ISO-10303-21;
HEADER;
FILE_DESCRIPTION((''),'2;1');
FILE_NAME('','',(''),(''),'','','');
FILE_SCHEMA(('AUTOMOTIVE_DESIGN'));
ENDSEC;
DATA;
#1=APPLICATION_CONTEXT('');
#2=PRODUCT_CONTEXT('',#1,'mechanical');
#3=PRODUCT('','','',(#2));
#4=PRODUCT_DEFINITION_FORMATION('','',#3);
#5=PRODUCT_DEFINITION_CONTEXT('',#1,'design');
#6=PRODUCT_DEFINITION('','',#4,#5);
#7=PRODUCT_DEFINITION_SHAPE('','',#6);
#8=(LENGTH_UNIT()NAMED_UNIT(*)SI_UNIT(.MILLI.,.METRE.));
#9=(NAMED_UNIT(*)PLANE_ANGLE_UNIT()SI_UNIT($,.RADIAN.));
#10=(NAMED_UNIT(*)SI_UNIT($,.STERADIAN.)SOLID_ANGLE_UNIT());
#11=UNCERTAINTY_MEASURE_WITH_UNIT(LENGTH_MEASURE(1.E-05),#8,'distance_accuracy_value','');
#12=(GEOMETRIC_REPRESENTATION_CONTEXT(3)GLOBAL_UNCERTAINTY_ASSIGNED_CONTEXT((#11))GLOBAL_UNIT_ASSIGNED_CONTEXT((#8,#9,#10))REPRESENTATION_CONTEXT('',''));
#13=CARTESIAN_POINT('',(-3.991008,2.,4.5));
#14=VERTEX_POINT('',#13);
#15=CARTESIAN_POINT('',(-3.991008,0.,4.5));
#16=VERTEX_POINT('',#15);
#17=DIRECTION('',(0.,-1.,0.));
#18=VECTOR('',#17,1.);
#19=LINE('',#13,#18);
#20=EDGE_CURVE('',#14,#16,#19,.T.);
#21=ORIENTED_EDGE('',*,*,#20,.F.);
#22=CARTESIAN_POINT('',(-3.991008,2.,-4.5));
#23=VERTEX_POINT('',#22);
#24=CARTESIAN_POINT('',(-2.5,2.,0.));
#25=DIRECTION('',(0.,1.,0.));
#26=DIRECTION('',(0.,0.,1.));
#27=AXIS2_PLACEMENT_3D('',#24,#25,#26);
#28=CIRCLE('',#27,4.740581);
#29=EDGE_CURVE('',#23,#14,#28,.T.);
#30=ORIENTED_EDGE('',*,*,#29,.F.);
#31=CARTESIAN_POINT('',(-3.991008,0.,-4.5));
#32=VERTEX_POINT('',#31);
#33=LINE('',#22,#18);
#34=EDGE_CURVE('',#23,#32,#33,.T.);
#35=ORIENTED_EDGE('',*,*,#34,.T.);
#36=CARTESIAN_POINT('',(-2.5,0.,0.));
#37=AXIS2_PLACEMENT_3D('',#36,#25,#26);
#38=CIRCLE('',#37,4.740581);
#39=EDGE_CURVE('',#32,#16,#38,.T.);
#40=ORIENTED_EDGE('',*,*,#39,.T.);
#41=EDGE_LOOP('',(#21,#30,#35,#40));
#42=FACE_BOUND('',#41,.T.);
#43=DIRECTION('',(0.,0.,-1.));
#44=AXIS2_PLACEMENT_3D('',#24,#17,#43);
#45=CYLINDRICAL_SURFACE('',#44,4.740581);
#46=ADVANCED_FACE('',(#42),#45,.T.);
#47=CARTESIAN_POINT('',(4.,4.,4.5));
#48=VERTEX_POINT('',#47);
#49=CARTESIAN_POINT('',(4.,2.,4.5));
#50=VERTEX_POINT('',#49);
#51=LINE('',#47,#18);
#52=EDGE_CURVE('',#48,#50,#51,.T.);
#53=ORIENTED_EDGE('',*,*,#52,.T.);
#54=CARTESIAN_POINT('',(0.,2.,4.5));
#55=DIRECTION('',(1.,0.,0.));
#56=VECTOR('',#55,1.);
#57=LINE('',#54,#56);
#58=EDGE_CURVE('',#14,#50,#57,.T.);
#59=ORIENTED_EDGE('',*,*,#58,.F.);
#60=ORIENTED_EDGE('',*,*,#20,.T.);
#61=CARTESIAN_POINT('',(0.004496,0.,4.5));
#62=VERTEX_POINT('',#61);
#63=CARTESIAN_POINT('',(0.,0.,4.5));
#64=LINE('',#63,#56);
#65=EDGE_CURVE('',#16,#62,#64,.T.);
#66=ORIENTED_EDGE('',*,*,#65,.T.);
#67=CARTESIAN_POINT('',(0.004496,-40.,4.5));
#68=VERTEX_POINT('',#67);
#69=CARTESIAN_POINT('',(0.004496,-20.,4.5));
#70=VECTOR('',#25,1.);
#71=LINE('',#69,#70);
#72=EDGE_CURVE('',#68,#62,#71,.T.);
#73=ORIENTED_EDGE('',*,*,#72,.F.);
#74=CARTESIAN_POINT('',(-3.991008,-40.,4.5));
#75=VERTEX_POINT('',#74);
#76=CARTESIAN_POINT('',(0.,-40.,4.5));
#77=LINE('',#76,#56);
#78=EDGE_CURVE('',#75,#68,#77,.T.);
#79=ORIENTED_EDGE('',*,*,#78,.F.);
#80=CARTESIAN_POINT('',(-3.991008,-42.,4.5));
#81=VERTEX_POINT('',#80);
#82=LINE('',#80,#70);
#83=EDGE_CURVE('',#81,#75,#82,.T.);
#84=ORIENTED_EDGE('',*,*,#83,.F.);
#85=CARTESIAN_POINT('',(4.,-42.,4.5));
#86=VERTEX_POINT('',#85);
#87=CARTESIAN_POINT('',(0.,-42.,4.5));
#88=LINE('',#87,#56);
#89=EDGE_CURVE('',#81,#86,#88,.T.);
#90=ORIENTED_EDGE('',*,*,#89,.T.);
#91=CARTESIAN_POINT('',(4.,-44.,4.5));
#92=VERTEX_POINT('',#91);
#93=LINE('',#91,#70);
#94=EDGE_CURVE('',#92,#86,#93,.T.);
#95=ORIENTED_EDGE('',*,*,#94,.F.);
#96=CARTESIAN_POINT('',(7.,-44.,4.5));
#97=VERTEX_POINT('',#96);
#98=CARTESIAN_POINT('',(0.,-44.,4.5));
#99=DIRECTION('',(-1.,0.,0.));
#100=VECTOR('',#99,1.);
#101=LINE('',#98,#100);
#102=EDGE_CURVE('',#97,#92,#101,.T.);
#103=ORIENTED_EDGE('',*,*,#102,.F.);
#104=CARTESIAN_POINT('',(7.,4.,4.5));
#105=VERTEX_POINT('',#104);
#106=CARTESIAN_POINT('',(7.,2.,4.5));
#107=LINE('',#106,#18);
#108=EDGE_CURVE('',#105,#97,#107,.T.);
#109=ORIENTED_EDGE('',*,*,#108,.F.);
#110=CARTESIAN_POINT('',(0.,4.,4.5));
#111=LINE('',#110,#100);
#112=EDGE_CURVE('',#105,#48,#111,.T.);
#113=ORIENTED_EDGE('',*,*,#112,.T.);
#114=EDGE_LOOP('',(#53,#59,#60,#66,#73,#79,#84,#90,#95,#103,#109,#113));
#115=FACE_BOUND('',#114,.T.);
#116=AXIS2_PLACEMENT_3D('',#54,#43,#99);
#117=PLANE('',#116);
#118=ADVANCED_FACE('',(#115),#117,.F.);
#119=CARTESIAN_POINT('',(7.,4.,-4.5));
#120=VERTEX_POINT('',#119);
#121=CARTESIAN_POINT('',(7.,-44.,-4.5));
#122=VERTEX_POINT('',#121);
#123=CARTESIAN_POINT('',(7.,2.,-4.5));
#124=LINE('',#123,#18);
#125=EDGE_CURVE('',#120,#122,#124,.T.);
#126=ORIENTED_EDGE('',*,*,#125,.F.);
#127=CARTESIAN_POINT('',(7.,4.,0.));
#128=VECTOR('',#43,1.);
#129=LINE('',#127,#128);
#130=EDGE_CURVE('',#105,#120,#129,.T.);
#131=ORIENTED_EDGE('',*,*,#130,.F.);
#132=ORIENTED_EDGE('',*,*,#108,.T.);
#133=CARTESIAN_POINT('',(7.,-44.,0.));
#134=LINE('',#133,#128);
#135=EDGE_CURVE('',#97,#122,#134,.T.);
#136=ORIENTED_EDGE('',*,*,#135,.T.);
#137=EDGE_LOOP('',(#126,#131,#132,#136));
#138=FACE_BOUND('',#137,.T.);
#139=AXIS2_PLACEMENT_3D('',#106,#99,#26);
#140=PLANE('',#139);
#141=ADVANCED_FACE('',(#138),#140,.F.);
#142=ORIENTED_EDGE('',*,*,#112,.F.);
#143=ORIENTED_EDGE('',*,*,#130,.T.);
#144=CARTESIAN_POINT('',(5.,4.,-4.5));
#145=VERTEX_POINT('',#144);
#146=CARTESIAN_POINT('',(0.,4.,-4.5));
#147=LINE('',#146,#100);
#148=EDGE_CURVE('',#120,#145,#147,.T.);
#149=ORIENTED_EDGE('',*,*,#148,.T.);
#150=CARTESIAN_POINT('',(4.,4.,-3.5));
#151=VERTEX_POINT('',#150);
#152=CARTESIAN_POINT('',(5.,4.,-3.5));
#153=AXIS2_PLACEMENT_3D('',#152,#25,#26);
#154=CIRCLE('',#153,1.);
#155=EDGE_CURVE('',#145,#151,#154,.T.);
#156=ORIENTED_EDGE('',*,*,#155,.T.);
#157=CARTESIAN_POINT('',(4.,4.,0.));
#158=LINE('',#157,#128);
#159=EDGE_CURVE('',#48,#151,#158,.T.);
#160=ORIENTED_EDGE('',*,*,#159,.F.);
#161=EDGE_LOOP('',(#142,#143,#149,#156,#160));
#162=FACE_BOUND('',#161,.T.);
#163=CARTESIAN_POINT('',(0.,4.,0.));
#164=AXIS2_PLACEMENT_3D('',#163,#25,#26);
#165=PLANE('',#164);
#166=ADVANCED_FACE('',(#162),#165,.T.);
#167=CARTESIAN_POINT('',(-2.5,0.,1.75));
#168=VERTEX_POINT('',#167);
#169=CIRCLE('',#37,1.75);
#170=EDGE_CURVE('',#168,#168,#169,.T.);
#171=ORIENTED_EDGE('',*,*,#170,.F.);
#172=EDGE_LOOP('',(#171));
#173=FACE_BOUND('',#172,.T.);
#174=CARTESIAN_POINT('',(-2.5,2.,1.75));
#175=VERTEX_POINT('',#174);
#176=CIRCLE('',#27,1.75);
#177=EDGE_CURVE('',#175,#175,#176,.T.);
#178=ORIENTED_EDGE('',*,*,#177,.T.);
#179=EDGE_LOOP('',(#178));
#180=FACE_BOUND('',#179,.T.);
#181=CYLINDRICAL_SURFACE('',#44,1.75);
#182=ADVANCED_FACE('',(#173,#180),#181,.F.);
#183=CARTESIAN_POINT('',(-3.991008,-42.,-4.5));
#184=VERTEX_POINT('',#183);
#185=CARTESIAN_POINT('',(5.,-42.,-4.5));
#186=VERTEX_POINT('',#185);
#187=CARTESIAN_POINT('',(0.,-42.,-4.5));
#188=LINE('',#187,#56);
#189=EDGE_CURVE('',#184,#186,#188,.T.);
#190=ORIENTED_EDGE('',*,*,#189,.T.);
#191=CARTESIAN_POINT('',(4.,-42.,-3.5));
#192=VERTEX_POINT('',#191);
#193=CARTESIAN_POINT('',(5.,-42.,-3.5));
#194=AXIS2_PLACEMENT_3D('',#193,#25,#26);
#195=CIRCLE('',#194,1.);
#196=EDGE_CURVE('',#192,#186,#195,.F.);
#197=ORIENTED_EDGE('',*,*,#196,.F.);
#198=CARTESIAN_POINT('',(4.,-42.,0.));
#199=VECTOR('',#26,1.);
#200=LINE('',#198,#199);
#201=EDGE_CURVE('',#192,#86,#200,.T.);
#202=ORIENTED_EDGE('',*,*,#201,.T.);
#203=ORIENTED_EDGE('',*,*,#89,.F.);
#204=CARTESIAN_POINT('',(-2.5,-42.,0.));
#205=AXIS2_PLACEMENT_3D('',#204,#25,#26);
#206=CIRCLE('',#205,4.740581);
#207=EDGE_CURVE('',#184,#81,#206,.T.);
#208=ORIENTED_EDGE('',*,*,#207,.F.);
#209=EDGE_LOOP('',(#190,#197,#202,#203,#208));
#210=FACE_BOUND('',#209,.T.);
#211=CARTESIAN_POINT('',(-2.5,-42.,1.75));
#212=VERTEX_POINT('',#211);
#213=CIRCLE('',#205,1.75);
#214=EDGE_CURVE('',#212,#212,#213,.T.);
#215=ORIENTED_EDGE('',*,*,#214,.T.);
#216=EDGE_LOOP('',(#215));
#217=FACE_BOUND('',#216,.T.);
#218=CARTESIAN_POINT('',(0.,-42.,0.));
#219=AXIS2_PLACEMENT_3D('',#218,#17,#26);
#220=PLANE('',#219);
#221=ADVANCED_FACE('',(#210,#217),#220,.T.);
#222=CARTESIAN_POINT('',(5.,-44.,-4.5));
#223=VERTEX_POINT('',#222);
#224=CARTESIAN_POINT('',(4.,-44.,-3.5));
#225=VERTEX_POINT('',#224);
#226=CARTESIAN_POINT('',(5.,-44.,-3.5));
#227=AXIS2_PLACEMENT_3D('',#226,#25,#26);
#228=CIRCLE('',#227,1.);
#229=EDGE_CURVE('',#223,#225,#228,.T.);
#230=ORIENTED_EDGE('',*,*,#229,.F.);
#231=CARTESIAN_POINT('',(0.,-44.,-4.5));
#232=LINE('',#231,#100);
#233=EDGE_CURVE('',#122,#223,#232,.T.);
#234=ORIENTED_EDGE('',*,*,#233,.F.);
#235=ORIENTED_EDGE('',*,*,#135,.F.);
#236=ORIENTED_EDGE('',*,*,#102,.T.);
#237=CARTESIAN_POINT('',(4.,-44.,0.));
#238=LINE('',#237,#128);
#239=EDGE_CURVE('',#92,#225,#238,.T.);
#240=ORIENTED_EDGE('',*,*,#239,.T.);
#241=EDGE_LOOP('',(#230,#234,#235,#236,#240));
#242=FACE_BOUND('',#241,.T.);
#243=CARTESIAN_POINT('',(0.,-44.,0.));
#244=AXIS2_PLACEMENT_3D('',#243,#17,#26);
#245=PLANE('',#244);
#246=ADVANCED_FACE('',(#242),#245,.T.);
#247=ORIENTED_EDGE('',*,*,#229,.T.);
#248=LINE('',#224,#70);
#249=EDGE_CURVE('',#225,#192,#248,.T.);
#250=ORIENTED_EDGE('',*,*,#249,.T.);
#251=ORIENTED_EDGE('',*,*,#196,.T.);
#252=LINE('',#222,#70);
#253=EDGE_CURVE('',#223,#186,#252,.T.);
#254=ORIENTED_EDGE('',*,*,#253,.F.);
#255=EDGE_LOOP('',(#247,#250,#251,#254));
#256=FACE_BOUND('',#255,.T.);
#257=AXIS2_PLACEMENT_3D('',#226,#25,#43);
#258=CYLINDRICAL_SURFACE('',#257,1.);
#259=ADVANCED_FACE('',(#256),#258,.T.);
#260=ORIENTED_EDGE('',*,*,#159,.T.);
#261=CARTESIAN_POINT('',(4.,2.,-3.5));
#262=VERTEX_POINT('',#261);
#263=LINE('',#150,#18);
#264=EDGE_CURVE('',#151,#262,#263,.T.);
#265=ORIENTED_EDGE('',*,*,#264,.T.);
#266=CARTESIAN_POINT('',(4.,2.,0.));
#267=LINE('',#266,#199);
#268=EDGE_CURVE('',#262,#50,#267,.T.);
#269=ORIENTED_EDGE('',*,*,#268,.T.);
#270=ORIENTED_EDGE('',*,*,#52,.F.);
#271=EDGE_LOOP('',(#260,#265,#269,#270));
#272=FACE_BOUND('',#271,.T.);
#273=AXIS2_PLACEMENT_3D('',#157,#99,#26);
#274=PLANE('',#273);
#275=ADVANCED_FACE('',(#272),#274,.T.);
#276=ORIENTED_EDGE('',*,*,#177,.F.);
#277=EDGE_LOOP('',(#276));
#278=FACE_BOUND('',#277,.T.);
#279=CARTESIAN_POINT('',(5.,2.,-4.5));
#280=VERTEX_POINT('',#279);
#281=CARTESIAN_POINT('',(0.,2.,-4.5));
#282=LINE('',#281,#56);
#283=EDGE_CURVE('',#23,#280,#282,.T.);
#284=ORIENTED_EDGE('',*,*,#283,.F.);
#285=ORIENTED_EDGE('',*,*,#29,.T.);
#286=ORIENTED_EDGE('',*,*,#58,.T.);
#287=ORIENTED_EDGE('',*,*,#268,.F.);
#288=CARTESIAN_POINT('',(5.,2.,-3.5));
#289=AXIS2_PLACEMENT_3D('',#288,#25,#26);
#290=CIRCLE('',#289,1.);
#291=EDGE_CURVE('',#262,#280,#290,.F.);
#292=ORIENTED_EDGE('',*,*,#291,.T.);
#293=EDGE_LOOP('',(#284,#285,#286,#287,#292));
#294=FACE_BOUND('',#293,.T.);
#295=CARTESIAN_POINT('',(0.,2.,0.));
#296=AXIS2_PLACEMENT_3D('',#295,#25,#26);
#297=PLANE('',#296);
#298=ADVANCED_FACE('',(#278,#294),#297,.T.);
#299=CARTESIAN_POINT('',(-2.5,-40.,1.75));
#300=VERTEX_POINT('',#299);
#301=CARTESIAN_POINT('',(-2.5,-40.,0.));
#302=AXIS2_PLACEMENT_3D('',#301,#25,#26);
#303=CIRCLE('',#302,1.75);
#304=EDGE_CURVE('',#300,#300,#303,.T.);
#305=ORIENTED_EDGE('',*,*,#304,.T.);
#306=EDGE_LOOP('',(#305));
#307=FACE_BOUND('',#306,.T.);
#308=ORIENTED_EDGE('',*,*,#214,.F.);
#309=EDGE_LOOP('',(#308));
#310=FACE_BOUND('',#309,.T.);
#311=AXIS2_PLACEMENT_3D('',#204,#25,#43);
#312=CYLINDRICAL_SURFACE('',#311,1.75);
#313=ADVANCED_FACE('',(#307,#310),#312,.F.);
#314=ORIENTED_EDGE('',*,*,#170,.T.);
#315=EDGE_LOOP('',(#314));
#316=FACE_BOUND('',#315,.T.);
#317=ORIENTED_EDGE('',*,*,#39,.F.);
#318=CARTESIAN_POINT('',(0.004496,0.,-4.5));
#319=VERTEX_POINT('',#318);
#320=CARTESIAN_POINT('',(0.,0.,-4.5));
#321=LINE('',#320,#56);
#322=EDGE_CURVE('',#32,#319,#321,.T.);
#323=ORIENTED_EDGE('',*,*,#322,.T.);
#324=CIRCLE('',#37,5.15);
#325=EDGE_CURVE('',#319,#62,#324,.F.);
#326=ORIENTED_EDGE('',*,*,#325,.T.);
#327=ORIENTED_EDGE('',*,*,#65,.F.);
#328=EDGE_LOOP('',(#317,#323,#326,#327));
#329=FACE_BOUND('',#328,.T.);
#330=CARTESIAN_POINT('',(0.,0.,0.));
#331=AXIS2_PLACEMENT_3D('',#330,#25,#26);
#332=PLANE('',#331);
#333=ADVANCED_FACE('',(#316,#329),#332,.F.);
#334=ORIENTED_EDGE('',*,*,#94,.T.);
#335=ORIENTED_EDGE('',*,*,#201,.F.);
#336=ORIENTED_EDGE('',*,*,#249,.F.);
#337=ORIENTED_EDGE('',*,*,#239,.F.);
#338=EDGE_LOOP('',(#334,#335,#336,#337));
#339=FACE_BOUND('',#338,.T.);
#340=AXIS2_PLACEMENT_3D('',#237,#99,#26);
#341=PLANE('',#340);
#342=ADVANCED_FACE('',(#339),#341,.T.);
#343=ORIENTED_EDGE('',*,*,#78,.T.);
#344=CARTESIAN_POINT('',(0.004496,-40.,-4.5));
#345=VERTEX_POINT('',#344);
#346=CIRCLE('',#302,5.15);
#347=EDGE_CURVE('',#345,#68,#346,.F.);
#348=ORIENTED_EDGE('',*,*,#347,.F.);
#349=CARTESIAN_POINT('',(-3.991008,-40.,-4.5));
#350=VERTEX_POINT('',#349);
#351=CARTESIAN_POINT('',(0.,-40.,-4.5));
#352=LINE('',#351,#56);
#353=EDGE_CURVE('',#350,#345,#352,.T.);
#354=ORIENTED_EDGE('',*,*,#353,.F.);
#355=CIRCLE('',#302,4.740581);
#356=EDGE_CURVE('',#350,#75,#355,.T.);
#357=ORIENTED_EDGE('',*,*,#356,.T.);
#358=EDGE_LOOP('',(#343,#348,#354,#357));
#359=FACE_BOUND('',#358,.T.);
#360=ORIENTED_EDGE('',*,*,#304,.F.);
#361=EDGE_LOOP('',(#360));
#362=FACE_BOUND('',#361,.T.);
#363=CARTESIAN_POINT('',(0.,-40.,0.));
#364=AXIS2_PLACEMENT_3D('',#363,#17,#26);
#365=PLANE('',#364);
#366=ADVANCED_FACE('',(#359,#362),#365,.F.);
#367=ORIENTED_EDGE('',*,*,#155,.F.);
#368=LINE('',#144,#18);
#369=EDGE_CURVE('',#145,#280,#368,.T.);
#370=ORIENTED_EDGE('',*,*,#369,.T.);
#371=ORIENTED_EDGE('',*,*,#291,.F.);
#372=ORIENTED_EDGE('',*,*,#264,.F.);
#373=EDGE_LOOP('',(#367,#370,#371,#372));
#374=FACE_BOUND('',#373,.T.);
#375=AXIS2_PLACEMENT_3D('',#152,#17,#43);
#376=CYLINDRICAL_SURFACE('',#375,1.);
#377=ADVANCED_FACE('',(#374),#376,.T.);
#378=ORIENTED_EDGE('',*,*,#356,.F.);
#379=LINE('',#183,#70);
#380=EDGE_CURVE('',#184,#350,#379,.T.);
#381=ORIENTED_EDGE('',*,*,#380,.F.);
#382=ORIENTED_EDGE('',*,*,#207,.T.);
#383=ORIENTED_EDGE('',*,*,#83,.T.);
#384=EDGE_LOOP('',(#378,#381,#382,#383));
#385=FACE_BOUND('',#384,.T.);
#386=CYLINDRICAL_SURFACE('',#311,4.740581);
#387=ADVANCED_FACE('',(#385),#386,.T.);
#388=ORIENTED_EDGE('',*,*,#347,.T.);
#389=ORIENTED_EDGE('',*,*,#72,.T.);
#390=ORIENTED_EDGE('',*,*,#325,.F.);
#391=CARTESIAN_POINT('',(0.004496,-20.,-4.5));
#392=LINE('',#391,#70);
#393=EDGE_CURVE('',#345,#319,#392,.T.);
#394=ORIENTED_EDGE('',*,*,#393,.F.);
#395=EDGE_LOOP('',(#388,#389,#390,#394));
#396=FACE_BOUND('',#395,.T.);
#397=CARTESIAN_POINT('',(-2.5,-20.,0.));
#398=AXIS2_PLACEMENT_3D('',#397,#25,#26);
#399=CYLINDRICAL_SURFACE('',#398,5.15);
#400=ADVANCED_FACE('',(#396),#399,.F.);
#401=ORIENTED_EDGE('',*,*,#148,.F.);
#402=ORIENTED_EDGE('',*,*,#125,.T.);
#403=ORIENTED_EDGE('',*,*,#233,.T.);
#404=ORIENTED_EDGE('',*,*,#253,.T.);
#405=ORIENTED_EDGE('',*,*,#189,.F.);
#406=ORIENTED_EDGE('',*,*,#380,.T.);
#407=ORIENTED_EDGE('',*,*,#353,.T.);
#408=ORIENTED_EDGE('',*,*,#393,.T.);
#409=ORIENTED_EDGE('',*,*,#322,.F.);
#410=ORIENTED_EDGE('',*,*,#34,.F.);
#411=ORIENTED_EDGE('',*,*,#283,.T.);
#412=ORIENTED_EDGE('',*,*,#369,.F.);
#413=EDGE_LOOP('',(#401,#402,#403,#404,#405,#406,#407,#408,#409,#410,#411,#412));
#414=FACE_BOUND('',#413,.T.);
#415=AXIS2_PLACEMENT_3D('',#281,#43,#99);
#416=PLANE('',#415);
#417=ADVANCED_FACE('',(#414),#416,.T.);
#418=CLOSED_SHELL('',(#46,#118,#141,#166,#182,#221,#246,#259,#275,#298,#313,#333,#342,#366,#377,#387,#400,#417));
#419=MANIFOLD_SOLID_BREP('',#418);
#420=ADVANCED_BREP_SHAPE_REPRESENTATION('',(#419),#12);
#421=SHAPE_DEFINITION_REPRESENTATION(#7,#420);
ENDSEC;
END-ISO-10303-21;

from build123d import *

# Parameters (mm, degrees)
SKETCH1_R           = 1.75
BOSS_EXTRUDE3_DEPTH = 2
BOSS_EXTRUDE4_DEPTH = 20
BOSS_EXTRUDE5_DEPTH = 4


with BuildPart() as part:
    # Sketch1 → Boss-Extrude3 (new body)
    with BuildSketch(Plane(origin=(0, 0, 0), x_dir=(1, 0, 0), z_dir=(0, 1, 0))):
        with BuildLine():
            ThreePointArc((-3.991008085, 4.5), (-7.240580672, 0), (-3.991008085, -4.5))
            Line((-3.991008085, -4.5), (7, -4.5))
            Line((7, -4.5), (7, 4.5))
            Line((7, 4.5), (-3.991008085, 4.5))
        make_face()
        with Locations((-2.5, 0)):
            Circle(SKETCH1_R, mode=Mode.SUBTRACT)
    extrude(amount=BOSS_EXTRUDE3_DEPTH)

    # Sketch1<3> → Boss-Extrude4 (add)
    with BuildSketch(Plane(origin=(0, 0, 0), x_dir=(1, 0, 0), z_dir=(0, 1, 0))):
        with BuildLine():
            ThreePointArc((0.004495957, 4.5), (2.65, 0), (0.004495957, -4.5))
            Line((0.004495957, -4.5), (7, -4.5))
            Line((7, -4.5), (7, 4.5))
            Line((7, 4.5), (0.004495957, 4.5))
        make_face()
    extrude(amount=-BOSS_EXTRUDE4_DEPTH)

    # Sketch1<5> → Boss-Extrude5 (add)
    with BuildSketch(Plane(origin=(0, 0, 0), x_dir=(1, 0, 0), z_dir=(0, 1, 0))):
        with BuildLine():
            Line((7, 4.5), (5, 4.5))
            ThreePointArc((5, 4.5), (4.292893219, 4.207106781), (4, 3.5))
            Line((4, 3.5), (4, -4.5))
            Line((4, -4.5), (7, -4.5))
            Line((7, -4.5), (7, 4.5))
        make_face()
    extrude(amount=BOSS_EXTRUDE5_DEPTH)

    # Mirror1: part across plane


with BuildPart() as part_1:
    add(part.part)
    add(part.part.mirror(Plane.ZX.offset(-20)))


solid = part_1.part
